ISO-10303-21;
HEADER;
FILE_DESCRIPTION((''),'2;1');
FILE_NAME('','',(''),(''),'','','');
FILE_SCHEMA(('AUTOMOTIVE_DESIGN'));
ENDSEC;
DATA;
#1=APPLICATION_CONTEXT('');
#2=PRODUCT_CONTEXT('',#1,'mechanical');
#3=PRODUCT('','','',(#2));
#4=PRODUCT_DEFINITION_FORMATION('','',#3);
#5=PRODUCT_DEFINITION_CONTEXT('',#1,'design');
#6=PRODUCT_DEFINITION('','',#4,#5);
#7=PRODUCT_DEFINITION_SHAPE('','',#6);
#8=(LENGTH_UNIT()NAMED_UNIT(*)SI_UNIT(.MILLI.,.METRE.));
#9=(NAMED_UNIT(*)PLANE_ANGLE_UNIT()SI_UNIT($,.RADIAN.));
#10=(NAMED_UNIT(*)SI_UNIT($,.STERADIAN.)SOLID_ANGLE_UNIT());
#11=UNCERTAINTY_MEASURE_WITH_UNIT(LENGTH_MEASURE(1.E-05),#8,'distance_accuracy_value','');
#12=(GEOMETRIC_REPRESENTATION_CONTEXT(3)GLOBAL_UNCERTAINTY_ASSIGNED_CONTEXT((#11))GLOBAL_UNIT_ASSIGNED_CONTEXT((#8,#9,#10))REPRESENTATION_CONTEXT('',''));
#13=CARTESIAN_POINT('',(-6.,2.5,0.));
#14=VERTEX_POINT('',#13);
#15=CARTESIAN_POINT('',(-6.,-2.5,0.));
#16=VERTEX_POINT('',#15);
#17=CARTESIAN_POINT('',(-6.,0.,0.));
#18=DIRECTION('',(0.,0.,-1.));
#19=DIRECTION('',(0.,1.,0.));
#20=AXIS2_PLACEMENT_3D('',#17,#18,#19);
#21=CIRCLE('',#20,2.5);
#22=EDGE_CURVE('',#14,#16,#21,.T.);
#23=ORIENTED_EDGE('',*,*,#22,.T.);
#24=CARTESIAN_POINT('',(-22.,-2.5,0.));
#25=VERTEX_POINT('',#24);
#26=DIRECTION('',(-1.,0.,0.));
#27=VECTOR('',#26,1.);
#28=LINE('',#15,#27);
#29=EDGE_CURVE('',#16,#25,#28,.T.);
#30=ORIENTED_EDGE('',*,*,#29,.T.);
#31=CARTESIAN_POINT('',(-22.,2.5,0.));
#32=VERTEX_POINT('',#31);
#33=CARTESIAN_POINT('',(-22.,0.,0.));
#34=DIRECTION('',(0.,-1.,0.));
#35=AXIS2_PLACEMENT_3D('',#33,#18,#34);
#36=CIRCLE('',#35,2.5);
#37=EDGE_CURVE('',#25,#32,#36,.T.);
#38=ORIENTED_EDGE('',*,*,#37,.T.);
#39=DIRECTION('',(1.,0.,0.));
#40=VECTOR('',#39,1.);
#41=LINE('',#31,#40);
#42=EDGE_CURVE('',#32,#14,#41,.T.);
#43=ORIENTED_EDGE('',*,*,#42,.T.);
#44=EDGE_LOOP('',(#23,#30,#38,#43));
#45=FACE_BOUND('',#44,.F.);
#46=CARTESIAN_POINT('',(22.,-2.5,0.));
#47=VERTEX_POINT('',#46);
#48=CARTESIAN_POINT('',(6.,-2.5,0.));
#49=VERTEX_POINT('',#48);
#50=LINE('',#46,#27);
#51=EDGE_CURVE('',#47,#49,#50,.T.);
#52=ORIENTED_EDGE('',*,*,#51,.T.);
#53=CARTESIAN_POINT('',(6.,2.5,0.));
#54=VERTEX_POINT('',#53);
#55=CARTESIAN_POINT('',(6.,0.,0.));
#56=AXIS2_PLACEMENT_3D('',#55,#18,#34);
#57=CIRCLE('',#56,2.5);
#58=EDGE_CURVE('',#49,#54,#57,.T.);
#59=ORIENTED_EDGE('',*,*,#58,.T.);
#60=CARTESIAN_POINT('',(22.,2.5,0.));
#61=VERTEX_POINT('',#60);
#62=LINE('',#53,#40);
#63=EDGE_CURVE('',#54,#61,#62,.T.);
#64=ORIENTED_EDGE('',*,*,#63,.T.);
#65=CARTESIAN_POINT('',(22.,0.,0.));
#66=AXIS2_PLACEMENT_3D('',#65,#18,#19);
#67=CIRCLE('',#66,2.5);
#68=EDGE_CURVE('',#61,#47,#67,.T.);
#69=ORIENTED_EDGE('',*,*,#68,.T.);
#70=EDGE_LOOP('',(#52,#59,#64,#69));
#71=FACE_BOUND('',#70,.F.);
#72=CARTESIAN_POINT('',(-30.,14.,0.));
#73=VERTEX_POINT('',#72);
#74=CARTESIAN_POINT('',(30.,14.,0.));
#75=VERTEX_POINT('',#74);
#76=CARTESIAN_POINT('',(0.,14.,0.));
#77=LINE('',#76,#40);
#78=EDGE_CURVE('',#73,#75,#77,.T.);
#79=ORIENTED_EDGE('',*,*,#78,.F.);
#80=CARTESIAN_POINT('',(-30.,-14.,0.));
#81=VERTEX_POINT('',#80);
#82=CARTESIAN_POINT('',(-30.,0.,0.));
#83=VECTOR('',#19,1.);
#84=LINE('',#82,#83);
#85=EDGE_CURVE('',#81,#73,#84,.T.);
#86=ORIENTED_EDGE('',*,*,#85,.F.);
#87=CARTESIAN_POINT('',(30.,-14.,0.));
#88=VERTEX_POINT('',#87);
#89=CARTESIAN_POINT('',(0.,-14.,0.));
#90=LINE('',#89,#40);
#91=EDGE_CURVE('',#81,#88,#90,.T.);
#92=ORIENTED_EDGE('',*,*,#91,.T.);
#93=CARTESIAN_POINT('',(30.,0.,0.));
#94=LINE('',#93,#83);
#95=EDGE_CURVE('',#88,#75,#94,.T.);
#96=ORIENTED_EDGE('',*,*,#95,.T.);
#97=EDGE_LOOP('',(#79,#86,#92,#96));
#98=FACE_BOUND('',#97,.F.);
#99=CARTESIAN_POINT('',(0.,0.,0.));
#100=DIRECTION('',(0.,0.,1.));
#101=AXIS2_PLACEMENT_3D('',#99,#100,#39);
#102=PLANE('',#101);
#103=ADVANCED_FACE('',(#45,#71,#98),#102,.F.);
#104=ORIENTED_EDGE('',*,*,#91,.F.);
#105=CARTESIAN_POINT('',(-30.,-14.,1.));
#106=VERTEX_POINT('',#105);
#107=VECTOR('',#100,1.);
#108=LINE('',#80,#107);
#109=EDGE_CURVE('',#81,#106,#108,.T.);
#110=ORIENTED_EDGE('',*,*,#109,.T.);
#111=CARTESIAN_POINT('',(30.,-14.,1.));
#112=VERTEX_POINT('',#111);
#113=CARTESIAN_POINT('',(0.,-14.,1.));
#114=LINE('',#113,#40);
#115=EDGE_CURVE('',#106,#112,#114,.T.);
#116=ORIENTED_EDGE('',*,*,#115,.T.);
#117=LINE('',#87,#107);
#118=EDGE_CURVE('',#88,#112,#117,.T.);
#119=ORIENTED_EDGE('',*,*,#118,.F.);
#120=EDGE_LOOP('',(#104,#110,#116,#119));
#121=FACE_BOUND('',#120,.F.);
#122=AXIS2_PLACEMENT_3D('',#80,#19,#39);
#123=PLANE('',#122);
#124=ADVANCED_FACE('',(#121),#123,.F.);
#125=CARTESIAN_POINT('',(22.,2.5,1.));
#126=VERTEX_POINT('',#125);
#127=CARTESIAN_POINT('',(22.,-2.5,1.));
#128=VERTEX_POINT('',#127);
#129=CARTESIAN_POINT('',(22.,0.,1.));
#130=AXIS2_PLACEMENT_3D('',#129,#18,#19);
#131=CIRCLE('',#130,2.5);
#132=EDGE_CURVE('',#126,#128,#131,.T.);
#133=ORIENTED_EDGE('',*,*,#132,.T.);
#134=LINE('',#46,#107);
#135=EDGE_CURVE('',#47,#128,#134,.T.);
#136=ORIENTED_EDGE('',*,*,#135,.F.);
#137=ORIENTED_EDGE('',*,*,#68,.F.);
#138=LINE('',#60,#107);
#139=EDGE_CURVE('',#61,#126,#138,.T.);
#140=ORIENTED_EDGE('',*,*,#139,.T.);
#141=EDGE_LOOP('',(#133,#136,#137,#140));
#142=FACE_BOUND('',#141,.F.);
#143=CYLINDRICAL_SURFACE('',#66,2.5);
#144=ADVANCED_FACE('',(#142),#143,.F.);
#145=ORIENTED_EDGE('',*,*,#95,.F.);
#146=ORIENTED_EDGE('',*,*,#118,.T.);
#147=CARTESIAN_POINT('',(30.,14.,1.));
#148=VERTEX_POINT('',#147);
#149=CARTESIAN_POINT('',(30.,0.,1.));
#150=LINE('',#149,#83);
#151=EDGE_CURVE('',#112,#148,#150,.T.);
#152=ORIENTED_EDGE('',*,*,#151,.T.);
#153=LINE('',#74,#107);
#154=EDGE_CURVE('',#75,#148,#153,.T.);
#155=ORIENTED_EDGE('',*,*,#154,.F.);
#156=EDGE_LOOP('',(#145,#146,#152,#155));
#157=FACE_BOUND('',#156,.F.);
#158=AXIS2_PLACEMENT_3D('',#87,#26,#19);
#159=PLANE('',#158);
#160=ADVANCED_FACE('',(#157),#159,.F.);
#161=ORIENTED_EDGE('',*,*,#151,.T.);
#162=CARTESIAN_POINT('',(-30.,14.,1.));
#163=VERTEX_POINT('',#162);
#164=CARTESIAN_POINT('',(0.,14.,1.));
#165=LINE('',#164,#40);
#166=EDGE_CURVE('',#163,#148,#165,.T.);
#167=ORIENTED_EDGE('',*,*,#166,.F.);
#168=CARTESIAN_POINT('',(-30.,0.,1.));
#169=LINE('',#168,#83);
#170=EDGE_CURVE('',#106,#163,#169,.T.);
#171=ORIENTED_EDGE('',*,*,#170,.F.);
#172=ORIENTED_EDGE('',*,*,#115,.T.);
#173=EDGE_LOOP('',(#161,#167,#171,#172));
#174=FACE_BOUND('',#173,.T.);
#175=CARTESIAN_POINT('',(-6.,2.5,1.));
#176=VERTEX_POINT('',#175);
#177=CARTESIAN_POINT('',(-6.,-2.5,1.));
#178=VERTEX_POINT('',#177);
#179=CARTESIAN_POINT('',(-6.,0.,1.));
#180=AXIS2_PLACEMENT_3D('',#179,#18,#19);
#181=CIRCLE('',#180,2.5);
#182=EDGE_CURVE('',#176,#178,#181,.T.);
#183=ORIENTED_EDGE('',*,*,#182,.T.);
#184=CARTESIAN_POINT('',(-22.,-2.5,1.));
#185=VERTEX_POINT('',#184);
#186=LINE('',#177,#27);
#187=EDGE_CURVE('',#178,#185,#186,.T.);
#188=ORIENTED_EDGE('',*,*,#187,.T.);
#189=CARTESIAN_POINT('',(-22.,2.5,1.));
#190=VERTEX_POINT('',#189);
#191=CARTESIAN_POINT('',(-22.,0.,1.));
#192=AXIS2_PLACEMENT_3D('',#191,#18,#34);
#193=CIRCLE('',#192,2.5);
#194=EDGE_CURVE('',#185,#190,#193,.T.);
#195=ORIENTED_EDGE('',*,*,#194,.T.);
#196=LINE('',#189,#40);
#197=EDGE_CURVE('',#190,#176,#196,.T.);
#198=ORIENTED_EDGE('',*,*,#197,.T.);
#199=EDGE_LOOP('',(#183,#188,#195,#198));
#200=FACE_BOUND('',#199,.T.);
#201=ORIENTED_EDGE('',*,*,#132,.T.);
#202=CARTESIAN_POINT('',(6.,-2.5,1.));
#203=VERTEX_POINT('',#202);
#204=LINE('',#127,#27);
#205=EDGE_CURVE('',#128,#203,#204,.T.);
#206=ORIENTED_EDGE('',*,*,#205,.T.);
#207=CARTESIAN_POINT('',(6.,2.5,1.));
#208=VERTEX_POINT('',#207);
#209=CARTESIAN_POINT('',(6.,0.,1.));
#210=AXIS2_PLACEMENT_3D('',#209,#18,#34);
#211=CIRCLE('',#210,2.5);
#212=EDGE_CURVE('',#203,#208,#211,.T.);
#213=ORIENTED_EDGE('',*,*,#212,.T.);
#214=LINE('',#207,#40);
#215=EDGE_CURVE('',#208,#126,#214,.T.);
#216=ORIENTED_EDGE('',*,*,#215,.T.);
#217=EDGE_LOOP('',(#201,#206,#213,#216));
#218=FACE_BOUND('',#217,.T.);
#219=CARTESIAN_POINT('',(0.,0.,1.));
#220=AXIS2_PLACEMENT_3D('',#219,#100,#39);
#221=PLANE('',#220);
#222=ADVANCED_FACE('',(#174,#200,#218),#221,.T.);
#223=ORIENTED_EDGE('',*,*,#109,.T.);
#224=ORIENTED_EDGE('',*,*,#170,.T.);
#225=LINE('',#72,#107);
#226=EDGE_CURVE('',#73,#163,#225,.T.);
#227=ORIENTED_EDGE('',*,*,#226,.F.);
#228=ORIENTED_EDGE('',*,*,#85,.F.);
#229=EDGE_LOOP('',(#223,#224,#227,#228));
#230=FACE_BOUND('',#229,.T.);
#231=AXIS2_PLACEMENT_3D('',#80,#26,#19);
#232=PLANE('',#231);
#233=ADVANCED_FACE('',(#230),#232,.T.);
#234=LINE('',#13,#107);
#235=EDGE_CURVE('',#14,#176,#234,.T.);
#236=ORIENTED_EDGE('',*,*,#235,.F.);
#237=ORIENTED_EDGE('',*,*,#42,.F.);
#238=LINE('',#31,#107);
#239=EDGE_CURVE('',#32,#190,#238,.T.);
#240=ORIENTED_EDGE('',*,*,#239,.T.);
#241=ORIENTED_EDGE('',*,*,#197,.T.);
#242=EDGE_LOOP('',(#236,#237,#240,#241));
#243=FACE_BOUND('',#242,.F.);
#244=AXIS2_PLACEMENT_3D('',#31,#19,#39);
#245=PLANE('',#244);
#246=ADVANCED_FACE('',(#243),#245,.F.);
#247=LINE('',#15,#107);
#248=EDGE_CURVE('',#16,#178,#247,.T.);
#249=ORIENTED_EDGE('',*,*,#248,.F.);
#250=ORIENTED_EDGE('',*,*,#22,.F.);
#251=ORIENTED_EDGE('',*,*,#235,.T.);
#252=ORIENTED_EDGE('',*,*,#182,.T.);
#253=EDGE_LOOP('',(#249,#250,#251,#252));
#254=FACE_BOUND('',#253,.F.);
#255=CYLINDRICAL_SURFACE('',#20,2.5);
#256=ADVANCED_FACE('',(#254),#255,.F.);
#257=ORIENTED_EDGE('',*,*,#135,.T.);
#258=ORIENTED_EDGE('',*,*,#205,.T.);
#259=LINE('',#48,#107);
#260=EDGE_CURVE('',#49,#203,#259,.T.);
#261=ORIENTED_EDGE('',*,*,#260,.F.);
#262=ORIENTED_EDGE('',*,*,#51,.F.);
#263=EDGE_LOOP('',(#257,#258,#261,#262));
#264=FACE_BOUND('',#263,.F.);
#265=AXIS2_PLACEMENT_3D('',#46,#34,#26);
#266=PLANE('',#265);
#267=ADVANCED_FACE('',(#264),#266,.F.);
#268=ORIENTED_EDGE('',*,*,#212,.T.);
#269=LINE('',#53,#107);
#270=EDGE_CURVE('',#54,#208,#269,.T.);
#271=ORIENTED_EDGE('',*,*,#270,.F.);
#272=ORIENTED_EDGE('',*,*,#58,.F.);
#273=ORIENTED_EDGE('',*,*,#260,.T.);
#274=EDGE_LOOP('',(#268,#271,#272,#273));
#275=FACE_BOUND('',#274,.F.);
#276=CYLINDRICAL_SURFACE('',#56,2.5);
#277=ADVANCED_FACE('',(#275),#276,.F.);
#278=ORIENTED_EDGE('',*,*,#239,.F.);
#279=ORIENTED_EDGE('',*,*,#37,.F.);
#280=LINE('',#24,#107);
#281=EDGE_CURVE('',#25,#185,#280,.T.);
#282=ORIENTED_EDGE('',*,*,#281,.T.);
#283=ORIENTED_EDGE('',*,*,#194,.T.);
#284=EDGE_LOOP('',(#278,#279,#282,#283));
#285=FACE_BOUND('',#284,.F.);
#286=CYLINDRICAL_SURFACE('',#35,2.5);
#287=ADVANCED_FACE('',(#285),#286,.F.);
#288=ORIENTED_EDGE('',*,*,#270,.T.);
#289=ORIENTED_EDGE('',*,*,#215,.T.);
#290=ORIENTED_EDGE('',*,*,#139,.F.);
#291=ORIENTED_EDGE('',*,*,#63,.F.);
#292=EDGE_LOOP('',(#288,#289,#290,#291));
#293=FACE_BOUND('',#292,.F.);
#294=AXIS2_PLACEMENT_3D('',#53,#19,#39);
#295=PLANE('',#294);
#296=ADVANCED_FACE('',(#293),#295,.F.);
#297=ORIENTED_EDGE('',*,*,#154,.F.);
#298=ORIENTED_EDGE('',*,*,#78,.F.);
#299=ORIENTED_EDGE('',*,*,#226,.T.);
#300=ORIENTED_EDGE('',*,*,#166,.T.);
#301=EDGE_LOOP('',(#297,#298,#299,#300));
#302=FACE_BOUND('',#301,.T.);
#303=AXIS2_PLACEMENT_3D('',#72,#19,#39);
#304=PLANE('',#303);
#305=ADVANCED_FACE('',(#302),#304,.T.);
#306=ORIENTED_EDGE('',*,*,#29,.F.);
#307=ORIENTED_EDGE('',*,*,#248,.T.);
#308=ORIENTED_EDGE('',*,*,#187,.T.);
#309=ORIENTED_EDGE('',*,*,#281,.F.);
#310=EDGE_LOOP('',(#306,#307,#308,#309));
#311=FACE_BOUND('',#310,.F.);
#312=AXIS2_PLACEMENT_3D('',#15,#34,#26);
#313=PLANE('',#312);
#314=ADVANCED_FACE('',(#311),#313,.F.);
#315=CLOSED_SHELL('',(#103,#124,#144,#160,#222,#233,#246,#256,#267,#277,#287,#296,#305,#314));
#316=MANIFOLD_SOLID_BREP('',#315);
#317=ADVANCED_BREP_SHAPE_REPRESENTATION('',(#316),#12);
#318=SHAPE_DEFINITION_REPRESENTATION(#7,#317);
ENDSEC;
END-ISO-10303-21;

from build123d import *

# Parameters (mm, degrees)
F0_W     = 60
F0_H     = 28
F1_DEPTH = 1


with BuildPart() as f1:
    # F0 (on Top) → F1 (new body)
    with BuildSketch(Plane.XY):
        Rectangle(F0_W, F0_H)
        with BuildLine():
            ThreePointArc((-6, 2.5), (-3.5, 0), (-6, -2.5))
            Line((-6, -2.5), (-22, -2.5))
            ThreePointArc((-22, -2.5), (-24.5, 0), (-22, 2.5))
            Line((-22, 2.5), (-6, 2.5))
        make_face(mode=Mode.SUBTRACT)
        with BuildLine():
            ThreePointArc((6, -2.5), (3.5, 0), (6, 2.5))
            Line((6, 2.5), (22, 2.5))
            ThreePointArc((22, 2.5), (24.5, 0), (22, -2.5))
            Line((22, -2.5), (6, -2.5))
        make_face(mode=Mode.SUBTRACT)
    extrude(amount=F1_DEPTH)


solid = f1.part
